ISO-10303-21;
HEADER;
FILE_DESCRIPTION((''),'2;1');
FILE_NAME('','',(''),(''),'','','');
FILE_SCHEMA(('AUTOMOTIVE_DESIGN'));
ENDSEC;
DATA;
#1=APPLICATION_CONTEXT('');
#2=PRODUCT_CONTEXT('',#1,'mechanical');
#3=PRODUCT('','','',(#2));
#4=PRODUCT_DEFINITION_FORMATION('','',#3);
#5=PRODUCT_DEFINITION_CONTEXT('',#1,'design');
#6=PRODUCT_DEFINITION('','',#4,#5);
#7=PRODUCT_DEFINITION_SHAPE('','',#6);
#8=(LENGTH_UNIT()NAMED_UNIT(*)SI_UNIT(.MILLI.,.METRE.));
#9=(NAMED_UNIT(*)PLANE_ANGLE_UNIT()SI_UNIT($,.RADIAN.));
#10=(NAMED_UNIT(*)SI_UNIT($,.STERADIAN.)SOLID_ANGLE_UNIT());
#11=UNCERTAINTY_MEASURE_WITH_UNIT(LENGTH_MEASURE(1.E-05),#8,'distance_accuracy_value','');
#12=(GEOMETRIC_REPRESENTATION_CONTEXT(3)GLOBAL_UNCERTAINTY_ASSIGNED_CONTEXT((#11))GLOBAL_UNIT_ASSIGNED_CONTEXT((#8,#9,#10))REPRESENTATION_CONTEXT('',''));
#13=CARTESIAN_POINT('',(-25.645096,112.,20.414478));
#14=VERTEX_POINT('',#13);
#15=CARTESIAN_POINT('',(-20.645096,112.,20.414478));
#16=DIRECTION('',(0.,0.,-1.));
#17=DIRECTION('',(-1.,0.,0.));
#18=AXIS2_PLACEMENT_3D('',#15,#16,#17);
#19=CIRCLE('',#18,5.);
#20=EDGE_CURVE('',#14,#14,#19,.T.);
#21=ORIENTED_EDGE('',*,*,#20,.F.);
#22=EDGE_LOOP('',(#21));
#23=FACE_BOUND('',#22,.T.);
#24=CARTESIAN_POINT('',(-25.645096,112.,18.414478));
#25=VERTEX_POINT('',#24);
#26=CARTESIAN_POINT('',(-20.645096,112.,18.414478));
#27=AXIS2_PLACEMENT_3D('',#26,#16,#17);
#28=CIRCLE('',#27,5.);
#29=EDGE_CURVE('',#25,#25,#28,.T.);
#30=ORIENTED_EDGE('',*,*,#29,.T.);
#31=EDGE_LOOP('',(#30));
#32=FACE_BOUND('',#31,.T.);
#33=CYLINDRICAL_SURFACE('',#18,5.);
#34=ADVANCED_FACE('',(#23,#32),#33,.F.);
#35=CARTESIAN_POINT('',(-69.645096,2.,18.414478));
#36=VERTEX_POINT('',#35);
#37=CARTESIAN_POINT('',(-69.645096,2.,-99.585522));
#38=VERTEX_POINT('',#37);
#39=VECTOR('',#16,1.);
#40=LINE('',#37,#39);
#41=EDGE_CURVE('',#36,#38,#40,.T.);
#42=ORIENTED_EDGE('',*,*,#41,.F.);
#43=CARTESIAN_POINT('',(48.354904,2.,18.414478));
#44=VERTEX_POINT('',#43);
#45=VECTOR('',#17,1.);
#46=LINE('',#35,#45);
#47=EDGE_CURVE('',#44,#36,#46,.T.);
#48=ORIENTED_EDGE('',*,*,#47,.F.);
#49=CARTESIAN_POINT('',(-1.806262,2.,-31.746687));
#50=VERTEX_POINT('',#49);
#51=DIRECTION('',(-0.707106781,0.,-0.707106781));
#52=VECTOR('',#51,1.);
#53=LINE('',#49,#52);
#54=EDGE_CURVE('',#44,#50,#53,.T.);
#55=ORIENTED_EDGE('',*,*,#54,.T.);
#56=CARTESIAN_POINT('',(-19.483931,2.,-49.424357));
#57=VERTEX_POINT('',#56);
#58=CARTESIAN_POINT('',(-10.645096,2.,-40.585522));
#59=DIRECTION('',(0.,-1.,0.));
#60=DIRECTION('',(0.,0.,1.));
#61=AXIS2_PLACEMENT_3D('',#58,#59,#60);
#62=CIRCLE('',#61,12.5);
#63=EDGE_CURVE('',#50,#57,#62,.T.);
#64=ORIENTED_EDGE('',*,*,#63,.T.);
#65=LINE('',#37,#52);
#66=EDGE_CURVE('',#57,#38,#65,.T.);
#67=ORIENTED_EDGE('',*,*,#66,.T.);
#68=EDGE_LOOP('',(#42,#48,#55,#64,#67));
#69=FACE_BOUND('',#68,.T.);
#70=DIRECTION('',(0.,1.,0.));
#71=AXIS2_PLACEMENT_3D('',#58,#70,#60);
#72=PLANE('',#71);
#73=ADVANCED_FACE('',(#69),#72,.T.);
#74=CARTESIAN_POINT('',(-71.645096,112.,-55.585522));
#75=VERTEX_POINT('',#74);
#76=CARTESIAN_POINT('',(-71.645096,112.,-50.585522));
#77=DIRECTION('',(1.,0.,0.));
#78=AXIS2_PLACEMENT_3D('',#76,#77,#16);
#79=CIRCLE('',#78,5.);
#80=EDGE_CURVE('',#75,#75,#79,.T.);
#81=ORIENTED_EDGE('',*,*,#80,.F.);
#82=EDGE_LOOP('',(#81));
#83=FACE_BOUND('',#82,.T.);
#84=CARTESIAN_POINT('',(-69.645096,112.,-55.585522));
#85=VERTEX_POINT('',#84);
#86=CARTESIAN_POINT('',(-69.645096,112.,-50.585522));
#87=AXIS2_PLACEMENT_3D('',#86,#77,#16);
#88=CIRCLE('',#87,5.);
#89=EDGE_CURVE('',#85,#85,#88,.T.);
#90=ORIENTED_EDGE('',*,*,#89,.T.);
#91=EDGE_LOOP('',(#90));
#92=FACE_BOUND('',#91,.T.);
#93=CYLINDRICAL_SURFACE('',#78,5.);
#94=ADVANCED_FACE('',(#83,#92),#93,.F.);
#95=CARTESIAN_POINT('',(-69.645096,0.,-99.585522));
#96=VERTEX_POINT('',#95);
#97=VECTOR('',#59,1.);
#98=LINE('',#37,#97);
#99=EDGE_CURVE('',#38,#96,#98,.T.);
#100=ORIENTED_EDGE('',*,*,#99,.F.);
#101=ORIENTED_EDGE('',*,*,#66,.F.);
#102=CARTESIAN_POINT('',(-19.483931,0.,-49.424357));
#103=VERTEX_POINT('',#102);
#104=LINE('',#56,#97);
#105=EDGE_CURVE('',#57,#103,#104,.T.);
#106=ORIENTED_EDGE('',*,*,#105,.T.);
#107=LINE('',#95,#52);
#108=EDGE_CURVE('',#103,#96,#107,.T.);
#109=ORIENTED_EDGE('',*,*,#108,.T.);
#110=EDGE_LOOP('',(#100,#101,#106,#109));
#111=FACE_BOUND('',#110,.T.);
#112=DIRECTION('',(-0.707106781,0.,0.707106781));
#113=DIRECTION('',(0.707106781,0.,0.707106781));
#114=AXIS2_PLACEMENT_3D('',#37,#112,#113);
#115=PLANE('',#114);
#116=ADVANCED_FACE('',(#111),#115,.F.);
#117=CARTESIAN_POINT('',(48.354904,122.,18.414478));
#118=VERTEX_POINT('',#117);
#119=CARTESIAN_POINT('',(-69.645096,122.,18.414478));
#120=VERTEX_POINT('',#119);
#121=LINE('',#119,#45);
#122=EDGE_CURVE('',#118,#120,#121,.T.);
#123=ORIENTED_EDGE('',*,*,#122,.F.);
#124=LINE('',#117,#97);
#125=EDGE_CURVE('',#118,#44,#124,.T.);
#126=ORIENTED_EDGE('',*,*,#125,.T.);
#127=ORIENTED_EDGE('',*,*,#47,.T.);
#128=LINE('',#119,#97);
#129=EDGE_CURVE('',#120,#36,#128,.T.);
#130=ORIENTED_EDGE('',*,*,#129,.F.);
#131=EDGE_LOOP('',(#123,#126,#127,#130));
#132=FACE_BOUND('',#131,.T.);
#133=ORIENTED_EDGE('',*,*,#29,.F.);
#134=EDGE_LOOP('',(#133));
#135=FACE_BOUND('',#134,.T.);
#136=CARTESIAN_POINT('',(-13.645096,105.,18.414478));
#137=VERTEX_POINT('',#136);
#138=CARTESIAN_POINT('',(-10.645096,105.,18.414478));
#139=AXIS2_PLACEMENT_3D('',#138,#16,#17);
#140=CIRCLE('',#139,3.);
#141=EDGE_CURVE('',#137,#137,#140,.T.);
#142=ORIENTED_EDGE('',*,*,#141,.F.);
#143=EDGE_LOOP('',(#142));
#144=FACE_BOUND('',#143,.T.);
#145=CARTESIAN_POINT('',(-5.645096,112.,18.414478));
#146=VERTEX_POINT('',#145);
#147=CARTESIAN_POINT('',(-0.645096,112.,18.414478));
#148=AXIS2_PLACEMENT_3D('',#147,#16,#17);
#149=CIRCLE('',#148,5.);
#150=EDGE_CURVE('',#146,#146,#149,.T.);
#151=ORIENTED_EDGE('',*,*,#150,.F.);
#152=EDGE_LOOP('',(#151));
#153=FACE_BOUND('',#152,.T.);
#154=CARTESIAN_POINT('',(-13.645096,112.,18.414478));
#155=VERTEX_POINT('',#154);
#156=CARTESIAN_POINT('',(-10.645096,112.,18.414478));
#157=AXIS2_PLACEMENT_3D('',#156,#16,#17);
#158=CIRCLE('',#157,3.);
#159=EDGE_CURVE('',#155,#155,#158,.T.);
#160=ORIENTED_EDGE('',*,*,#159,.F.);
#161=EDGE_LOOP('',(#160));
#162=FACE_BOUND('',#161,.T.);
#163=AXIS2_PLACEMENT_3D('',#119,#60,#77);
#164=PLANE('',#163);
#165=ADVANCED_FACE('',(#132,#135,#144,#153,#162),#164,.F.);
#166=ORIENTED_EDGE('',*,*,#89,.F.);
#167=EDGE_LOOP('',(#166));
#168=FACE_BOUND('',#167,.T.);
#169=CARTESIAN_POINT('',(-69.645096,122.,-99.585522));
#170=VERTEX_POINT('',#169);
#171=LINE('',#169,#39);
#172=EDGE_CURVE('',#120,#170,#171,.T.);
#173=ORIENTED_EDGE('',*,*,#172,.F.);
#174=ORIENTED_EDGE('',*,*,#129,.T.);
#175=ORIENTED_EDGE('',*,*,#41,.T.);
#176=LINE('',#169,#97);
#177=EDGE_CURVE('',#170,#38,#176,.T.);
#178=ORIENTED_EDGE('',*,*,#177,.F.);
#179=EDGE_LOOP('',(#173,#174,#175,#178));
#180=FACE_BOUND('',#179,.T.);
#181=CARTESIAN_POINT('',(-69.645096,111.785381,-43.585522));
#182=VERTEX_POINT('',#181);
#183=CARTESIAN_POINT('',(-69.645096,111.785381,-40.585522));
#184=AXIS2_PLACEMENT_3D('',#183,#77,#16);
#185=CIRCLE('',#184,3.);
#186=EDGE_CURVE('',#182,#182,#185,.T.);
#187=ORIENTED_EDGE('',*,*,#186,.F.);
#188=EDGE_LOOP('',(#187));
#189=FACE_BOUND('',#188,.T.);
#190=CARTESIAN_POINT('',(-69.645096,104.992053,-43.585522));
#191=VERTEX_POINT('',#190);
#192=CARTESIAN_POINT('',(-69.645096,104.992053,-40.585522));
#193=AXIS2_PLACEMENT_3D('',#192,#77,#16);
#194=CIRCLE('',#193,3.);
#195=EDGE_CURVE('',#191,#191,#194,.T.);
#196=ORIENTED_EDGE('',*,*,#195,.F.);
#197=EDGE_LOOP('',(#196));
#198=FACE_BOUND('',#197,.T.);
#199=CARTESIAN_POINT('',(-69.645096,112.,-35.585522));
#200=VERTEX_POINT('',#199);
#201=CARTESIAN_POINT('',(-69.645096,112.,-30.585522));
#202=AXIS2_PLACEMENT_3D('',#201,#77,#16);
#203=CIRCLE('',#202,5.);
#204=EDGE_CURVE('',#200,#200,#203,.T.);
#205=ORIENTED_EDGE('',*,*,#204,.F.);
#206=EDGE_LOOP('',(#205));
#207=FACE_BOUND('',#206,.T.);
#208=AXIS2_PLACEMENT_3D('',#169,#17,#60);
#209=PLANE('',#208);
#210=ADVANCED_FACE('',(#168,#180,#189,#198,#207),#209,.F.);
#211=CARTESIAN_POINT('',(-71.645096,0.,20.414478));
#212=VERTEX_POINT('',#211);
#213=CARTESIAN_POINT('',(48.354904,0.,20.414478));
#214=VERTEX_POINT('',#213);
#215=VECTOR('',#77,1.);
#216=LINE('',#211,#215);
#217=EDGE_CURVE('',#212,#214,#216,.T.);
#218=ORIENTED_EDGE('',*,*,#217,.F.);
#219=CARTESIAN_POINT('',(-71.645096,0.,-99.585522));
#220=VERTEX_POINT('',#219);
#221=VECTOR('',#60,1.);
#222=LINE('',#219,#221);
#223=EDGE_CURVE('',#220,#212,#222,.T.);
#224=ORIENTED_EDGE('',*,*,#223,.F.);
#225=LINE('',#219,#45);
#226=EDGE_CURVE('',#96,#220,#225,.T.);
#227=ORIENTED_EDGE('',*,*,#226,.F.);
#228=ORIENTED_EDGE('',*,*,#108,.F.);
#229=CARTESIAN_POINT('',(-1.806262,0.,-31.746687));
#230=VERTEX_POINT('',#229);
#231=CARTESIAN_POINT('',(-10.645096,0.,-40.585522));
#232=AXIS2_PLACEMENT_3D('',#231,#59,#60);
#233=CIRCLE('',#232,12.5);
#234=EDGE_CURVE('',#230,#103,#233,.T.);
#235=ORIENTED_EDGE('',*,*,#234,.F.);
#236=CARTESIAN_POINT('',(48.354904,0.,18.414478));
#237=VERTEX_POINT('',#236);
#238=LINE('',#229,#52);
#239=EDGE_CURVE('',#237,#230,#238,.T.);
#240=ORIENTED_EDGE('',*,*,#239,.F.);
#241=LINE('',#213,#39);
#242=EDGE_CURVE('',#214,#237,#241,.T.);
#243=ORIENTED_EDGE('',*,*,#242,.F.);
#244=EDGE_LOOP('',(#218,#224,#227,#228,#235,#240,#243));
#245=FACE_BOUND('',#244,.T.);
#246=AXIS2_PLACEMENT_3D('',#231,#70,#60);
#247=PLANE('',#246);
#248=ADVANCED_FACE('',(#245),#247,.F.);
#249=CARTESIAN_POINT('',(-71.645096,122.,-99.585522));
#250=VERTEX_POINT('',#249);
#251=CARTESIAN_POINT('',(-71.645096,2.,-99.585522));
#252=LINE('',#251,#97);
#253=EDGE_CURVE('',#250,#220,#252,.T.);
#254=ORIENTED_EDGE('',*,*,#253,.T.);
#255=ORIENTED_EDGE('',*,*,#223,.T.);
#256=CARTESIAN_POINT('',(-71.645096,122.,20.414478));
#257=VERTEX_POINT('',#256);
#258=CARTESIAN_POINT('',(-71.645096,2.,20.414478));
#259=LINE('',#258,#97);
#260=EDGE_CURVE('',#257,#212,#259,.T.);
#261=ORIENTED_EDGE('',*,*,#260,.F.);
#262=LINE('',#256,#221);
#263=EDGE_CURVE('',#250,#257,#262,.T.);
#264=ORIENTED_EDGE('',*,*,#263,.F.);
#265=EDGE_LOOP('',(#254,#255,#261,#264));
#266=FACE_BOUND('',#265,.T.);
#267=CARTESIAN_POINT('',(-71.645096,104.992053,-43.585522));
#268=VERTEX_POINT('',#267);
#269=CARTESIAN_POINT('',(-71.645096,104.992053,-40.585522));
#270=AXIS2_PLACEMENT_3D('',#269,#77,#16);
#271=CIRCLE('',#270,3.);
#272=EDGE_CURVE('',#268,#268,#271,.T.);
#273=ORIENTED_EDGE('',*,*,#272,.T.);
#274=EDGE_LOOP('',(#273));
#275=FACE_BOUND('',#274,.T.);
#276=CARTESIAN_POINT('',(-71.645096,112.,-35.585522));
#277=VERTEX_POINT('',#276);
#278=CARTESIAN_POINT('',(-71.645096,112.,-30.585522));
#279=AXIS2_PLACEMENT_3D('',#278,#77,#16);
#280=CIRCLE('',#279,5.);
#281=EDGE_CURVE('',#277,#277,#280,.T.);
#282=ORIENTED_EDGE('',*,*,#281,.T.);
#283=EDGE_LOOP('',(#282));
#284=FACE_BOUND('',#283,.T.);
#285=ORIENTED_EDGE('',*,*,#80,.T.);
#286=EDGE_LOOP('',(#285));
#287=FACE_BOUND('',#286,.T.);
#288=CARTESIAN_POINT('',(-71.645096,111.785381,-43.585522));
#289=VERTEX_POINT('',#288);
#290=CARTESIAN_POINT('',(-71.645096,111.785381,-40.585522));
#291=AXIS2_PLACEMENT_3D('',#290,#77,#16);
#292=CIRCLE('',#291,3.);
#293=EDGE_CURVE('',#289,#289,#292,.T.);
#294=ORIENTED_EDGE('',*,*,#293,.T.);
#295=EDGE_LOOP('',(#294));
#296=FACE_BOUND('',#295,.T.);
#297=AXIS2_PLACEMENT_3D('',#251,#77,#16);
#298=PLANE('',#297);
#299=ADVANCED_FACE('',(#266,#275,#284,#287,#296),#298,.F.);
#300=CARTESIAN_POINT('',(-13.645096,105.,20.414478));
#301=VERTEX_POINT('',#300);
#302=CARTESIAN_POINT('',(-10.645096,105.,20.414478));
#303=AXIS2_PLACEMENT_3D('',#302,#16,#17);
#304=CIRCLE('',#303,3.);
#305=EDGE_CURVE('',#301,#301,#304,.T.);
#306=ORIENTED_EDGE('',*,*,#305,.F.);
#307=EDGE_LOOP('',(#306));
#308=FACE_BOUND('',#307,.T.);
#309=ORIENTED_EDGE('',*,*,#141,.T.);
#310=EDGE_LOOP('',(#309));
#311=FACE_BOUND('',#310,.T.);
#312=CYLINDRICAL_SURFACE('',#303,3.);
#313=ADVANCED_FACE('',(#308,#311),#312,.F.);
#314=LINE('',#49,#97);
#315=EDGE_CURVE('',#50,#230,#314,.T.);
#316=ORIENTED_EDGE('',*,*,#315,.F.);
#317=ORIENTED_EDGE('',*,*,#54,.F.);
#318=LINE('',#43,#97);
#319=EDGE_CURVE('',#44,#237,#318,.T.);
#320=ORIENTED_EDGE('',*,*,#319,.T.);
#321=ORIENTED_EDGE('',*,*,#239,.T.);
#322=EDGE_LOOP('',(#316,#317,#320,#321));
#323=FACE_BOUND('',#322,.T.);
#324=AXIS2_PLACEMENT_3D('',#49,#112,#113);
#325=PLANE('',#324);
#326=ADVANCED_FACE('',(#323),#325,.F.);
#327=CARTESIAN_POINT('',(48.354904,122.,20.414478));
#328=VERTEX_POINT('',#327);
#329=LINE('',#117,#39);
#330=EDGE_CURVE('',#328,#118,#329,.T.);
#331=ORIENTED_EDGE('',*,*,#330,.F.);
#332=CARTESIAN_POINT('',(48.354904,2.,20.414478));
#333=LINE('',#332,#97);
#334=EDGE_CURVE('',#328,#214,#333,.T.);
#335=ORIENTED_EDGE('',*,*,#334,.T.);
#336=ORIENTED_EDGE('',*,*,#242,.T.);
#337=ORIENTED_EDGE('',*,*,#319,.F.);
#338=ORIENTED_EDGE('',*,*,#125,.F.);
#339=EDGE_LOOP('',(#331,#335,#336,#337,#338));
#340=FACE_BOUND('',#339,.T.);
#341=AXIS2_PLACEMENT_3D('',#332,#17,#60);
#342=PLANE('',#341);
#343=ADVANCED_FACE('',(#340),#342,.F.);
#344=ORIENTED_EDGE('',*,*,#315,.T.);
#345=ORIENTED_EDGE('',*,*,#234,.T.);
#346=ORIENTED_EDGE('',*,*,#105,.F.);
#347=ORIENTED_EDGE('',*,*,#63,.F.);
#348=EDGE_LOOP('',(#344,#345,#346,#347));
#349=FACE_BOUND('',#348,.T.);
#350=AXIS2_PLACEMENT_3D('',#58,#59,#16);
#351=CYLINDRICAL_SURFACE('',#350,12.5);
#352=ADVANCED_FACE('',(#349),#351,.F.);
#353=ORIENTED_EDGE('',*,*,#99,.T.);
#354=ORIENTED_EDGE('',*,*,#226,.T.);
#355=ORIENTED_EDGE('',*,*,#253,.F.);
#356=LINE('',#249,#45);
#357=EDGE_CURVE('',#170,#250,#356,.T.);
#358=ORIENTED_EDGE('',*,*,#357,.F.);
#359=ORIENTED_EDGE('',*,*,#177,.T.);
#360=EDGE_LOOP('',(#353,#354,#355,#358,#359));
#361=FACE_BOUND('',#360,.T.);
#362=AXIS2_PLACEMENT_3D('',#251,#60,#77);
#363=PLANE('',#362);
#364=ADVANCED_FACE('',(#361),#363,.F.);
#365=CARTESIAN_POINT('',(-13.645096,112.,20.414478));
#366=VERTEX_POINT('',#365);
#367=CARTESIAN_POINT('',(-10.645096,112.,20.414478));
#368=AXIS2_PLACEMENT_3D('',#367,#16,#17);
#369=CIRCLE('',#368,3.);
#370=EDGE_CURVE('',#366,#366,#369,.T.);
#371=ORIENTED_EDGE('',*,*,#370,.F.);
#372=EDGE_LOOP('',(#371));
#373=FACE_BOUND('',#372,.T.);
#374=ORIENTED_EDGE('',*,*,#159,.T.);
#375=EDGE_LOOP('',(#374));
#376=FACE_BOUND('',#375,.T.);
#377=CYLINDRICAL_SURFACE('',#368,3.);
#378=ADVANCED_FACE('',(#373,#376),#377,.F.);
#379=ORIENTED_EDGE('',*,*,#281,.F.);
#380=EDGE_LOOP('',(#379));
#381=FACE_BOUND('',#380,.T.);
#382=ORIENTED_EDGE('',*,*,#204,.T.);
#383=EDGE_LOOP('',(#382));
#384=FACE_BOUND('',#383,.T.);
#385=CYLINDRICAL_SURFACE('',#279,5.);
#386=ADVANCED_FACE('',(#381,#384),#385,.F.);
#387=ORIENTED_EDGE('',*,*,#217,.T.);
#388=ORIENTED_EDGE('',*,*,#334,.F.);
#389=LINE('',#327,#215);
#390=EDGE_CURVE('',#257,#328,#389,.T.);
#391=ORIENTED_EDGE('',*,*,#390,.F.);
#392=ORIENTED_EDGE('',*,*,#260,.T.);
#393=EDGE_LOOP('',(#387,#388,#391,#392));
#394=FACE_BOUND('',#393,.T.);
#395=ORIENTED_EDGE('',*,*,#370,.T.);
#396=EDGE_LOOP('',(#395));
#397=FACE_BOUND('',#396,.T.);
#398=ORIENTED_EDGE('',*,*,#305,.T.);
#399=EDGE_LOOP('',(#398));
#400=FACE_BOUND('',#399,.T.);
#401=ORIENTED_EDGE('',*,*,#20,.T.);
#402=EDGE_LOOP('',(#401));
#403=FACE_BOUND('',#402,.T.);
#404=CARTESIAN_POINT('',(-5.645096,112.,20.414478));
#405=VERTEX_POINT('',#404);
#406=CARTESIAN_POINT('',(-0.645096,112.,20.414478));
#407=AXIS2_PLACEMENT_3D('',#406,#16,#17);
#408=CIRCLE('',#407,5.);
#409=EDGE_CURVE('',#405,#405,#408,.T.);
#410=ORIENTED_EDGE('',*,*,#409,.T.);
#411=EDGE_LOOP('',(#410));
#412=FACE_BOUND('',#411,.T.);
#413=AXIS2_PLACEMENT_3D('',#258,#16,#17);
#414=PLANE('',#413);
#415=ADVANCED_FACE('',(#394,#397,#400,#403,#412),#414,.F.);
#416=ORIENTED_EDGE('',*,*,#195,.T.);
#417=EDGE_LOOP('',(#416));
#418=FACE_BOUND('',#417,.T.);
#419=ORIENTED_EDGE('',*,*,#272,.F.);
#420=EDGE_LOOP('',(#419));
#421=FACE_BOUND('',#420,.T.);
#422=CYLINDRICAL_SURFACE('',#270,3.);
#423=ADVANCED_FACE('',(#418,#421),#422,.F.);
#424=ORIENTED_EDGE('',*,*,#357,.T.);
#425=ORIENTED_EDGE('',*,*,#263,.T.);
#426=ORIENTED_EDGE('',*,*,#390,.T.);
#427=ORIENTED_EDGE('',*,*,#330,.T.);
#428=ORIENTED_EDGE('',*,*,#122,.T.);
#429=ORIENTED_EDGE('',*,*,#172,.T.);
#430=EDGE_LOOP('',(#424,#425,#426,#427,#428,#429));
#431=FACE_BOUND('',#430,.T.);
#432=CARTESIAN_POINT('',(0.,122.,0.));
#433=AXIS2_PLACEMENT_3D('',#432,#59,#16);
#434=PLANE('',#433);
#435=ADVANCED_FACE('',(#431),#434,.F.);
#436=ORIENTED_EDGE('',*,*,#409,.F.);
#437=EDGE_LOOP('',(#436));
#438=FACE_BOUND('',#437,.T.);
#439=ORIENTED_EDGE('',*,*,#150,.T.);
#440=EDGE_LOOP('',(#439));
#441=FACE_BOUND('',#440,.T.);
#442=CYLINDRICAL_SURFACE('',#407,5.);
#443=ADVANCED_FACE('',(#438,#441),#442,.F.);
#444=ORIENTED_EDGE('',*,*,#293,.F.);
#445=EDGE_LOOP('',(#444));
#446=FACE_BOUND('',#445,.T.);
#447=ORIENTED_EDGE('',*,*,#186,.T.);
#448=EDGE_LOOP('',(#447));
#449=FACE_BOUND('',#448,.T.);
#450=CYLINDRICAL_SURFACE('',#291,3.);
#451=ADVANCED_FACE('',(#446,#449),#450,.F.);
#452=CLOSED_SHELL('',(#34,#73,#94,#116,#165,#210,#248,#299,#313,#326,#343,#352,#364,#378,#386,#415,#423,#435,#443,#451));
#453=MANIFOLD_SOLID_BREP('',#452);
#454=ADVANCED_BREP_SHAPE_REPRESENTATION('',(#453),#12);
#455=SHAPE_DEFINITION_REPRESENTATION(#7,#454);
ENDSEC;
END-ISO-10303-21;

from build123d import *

# Parameters (mm, degrees)
EXTRUDE_1_DEPTH     = 2
EXTRUDE_2_DEPTH     = 120
SKETCH_3_R          = 5
SKETCH_3_R_2        = 3
CUT_EXTRUDE_1_DEPTH = 2
SKETCH_4_R          = 5
SKETCH_4_R_2        = 3
CUT_EXTRUDE_2_DEPTH = 2
SKETCH_5_R          = 3
CUT_EXTRUDE_3_DEPTH = 2


with BuildPart() as part:
    # 草图1 → 凸台-拉伸1 (new body)
    with BuildSketch(Plane(origin=(0, 0, 0), x_dir=(1, 0, 0), z_dir=(0, 1, 0))):
        with BuildLine():
            Line((-71.645096328, 99.585522078), (-71.645096328, -20.414477922))
            Line((-71.645096328, -20.414477922), (48.354903672, -20.414477922))
            Line((48.354903672, -20.414477922), (48.354903672, -18.414477922))
            Line((48.354903672, -18.414477922), (-1.806261563, 31.746687313))
            ThreePointArc((-1.806261563, 31.746687313), (-19.483931092, 31.746687313), (-19.483931092, 49.424356842))
            Line((-19.483931092, 49.424356842), (-69.645096328, 99.585522078))
            Line((-69.645096328, 99.585522078), (-71.645096328, 99.585522078))
        make_face()
    extrude(amount=EXTRUDE_1_DEPTH)

    # 草图2 → 凸台-拉伸2 (add)
    with BuildSketch(Plane(origin=(0, 2, 0), x_dir=(1, 0, 0), z_dir=(0, 1, 0))):
        Polygon((-69.645096328, 99.585522078), (-69.645096328, -18.414477922), (48.354903672, -18.414477922), (48.354903672, -20.414477922), (-71.645096328, -20.414477922), (-71.645096328, 99.585522078), align=None)
    extrude(amount=EXTRUDE_2_DEPTH)

    # 草图3 → 切除-拉伸1 (cut)
    with BuildSketch(Plane(origin=(0, 0, 18.414477922), x_dir=(-1, 0, 0), z_dir=(0, 0, -1))):
        with Locations((0.645096328, 112)):
            Circle(SKETCH_3_R)
        with Locations((20.645096328, 112)):
            Circle(SKETCH_3_R)
        with Locations((10.645096328, 112)):
            Circle(SKETCH_3_R_2)
    extrude(amount=-CUT_EXTRUDE_1_DEPTH, mode=Mode.SUBTRACT)

    # 草图4 → 切除-拉伸2 (cut)
    with BuildSketch(Plane(origin=(-69.645096328, 0, 0), x_dir=(0, 0, -1), z_dir=(1, 0, 0))):
        with Locations((30.585522078, 112)):
            Circle(SKETCH_4_R)
        with Locations((50.585522078, 112)):
            Circle(SKETCH_4_R)
        with Locations((40.585522078, 111.785381459)):
            Circle(SKETCH_4_R_2)
        with Locations((40.585522078, 104.992052501)):
            Circle(SKETCH_4_R_2)
    extrude(amount=-CUT_EXTRUDE_2_DEPTH, mode=Mode.SUBTRACT)

    # 草图5 → 切除-拉伸3 (cut)
    with BuildSketch(Plane(origin=(0, 0, 18.414477922), x_dir=(-1, 0, 0), z_dir=(0, 0, -1))):
        with Locations((10.645096328, 105)):
            Circle(SKETCH_5_R)
    extrude(amount=-CUT_EXTRUDE_3_DEPTH, mode=Mode.SUBTRACT)


solid = part.part
